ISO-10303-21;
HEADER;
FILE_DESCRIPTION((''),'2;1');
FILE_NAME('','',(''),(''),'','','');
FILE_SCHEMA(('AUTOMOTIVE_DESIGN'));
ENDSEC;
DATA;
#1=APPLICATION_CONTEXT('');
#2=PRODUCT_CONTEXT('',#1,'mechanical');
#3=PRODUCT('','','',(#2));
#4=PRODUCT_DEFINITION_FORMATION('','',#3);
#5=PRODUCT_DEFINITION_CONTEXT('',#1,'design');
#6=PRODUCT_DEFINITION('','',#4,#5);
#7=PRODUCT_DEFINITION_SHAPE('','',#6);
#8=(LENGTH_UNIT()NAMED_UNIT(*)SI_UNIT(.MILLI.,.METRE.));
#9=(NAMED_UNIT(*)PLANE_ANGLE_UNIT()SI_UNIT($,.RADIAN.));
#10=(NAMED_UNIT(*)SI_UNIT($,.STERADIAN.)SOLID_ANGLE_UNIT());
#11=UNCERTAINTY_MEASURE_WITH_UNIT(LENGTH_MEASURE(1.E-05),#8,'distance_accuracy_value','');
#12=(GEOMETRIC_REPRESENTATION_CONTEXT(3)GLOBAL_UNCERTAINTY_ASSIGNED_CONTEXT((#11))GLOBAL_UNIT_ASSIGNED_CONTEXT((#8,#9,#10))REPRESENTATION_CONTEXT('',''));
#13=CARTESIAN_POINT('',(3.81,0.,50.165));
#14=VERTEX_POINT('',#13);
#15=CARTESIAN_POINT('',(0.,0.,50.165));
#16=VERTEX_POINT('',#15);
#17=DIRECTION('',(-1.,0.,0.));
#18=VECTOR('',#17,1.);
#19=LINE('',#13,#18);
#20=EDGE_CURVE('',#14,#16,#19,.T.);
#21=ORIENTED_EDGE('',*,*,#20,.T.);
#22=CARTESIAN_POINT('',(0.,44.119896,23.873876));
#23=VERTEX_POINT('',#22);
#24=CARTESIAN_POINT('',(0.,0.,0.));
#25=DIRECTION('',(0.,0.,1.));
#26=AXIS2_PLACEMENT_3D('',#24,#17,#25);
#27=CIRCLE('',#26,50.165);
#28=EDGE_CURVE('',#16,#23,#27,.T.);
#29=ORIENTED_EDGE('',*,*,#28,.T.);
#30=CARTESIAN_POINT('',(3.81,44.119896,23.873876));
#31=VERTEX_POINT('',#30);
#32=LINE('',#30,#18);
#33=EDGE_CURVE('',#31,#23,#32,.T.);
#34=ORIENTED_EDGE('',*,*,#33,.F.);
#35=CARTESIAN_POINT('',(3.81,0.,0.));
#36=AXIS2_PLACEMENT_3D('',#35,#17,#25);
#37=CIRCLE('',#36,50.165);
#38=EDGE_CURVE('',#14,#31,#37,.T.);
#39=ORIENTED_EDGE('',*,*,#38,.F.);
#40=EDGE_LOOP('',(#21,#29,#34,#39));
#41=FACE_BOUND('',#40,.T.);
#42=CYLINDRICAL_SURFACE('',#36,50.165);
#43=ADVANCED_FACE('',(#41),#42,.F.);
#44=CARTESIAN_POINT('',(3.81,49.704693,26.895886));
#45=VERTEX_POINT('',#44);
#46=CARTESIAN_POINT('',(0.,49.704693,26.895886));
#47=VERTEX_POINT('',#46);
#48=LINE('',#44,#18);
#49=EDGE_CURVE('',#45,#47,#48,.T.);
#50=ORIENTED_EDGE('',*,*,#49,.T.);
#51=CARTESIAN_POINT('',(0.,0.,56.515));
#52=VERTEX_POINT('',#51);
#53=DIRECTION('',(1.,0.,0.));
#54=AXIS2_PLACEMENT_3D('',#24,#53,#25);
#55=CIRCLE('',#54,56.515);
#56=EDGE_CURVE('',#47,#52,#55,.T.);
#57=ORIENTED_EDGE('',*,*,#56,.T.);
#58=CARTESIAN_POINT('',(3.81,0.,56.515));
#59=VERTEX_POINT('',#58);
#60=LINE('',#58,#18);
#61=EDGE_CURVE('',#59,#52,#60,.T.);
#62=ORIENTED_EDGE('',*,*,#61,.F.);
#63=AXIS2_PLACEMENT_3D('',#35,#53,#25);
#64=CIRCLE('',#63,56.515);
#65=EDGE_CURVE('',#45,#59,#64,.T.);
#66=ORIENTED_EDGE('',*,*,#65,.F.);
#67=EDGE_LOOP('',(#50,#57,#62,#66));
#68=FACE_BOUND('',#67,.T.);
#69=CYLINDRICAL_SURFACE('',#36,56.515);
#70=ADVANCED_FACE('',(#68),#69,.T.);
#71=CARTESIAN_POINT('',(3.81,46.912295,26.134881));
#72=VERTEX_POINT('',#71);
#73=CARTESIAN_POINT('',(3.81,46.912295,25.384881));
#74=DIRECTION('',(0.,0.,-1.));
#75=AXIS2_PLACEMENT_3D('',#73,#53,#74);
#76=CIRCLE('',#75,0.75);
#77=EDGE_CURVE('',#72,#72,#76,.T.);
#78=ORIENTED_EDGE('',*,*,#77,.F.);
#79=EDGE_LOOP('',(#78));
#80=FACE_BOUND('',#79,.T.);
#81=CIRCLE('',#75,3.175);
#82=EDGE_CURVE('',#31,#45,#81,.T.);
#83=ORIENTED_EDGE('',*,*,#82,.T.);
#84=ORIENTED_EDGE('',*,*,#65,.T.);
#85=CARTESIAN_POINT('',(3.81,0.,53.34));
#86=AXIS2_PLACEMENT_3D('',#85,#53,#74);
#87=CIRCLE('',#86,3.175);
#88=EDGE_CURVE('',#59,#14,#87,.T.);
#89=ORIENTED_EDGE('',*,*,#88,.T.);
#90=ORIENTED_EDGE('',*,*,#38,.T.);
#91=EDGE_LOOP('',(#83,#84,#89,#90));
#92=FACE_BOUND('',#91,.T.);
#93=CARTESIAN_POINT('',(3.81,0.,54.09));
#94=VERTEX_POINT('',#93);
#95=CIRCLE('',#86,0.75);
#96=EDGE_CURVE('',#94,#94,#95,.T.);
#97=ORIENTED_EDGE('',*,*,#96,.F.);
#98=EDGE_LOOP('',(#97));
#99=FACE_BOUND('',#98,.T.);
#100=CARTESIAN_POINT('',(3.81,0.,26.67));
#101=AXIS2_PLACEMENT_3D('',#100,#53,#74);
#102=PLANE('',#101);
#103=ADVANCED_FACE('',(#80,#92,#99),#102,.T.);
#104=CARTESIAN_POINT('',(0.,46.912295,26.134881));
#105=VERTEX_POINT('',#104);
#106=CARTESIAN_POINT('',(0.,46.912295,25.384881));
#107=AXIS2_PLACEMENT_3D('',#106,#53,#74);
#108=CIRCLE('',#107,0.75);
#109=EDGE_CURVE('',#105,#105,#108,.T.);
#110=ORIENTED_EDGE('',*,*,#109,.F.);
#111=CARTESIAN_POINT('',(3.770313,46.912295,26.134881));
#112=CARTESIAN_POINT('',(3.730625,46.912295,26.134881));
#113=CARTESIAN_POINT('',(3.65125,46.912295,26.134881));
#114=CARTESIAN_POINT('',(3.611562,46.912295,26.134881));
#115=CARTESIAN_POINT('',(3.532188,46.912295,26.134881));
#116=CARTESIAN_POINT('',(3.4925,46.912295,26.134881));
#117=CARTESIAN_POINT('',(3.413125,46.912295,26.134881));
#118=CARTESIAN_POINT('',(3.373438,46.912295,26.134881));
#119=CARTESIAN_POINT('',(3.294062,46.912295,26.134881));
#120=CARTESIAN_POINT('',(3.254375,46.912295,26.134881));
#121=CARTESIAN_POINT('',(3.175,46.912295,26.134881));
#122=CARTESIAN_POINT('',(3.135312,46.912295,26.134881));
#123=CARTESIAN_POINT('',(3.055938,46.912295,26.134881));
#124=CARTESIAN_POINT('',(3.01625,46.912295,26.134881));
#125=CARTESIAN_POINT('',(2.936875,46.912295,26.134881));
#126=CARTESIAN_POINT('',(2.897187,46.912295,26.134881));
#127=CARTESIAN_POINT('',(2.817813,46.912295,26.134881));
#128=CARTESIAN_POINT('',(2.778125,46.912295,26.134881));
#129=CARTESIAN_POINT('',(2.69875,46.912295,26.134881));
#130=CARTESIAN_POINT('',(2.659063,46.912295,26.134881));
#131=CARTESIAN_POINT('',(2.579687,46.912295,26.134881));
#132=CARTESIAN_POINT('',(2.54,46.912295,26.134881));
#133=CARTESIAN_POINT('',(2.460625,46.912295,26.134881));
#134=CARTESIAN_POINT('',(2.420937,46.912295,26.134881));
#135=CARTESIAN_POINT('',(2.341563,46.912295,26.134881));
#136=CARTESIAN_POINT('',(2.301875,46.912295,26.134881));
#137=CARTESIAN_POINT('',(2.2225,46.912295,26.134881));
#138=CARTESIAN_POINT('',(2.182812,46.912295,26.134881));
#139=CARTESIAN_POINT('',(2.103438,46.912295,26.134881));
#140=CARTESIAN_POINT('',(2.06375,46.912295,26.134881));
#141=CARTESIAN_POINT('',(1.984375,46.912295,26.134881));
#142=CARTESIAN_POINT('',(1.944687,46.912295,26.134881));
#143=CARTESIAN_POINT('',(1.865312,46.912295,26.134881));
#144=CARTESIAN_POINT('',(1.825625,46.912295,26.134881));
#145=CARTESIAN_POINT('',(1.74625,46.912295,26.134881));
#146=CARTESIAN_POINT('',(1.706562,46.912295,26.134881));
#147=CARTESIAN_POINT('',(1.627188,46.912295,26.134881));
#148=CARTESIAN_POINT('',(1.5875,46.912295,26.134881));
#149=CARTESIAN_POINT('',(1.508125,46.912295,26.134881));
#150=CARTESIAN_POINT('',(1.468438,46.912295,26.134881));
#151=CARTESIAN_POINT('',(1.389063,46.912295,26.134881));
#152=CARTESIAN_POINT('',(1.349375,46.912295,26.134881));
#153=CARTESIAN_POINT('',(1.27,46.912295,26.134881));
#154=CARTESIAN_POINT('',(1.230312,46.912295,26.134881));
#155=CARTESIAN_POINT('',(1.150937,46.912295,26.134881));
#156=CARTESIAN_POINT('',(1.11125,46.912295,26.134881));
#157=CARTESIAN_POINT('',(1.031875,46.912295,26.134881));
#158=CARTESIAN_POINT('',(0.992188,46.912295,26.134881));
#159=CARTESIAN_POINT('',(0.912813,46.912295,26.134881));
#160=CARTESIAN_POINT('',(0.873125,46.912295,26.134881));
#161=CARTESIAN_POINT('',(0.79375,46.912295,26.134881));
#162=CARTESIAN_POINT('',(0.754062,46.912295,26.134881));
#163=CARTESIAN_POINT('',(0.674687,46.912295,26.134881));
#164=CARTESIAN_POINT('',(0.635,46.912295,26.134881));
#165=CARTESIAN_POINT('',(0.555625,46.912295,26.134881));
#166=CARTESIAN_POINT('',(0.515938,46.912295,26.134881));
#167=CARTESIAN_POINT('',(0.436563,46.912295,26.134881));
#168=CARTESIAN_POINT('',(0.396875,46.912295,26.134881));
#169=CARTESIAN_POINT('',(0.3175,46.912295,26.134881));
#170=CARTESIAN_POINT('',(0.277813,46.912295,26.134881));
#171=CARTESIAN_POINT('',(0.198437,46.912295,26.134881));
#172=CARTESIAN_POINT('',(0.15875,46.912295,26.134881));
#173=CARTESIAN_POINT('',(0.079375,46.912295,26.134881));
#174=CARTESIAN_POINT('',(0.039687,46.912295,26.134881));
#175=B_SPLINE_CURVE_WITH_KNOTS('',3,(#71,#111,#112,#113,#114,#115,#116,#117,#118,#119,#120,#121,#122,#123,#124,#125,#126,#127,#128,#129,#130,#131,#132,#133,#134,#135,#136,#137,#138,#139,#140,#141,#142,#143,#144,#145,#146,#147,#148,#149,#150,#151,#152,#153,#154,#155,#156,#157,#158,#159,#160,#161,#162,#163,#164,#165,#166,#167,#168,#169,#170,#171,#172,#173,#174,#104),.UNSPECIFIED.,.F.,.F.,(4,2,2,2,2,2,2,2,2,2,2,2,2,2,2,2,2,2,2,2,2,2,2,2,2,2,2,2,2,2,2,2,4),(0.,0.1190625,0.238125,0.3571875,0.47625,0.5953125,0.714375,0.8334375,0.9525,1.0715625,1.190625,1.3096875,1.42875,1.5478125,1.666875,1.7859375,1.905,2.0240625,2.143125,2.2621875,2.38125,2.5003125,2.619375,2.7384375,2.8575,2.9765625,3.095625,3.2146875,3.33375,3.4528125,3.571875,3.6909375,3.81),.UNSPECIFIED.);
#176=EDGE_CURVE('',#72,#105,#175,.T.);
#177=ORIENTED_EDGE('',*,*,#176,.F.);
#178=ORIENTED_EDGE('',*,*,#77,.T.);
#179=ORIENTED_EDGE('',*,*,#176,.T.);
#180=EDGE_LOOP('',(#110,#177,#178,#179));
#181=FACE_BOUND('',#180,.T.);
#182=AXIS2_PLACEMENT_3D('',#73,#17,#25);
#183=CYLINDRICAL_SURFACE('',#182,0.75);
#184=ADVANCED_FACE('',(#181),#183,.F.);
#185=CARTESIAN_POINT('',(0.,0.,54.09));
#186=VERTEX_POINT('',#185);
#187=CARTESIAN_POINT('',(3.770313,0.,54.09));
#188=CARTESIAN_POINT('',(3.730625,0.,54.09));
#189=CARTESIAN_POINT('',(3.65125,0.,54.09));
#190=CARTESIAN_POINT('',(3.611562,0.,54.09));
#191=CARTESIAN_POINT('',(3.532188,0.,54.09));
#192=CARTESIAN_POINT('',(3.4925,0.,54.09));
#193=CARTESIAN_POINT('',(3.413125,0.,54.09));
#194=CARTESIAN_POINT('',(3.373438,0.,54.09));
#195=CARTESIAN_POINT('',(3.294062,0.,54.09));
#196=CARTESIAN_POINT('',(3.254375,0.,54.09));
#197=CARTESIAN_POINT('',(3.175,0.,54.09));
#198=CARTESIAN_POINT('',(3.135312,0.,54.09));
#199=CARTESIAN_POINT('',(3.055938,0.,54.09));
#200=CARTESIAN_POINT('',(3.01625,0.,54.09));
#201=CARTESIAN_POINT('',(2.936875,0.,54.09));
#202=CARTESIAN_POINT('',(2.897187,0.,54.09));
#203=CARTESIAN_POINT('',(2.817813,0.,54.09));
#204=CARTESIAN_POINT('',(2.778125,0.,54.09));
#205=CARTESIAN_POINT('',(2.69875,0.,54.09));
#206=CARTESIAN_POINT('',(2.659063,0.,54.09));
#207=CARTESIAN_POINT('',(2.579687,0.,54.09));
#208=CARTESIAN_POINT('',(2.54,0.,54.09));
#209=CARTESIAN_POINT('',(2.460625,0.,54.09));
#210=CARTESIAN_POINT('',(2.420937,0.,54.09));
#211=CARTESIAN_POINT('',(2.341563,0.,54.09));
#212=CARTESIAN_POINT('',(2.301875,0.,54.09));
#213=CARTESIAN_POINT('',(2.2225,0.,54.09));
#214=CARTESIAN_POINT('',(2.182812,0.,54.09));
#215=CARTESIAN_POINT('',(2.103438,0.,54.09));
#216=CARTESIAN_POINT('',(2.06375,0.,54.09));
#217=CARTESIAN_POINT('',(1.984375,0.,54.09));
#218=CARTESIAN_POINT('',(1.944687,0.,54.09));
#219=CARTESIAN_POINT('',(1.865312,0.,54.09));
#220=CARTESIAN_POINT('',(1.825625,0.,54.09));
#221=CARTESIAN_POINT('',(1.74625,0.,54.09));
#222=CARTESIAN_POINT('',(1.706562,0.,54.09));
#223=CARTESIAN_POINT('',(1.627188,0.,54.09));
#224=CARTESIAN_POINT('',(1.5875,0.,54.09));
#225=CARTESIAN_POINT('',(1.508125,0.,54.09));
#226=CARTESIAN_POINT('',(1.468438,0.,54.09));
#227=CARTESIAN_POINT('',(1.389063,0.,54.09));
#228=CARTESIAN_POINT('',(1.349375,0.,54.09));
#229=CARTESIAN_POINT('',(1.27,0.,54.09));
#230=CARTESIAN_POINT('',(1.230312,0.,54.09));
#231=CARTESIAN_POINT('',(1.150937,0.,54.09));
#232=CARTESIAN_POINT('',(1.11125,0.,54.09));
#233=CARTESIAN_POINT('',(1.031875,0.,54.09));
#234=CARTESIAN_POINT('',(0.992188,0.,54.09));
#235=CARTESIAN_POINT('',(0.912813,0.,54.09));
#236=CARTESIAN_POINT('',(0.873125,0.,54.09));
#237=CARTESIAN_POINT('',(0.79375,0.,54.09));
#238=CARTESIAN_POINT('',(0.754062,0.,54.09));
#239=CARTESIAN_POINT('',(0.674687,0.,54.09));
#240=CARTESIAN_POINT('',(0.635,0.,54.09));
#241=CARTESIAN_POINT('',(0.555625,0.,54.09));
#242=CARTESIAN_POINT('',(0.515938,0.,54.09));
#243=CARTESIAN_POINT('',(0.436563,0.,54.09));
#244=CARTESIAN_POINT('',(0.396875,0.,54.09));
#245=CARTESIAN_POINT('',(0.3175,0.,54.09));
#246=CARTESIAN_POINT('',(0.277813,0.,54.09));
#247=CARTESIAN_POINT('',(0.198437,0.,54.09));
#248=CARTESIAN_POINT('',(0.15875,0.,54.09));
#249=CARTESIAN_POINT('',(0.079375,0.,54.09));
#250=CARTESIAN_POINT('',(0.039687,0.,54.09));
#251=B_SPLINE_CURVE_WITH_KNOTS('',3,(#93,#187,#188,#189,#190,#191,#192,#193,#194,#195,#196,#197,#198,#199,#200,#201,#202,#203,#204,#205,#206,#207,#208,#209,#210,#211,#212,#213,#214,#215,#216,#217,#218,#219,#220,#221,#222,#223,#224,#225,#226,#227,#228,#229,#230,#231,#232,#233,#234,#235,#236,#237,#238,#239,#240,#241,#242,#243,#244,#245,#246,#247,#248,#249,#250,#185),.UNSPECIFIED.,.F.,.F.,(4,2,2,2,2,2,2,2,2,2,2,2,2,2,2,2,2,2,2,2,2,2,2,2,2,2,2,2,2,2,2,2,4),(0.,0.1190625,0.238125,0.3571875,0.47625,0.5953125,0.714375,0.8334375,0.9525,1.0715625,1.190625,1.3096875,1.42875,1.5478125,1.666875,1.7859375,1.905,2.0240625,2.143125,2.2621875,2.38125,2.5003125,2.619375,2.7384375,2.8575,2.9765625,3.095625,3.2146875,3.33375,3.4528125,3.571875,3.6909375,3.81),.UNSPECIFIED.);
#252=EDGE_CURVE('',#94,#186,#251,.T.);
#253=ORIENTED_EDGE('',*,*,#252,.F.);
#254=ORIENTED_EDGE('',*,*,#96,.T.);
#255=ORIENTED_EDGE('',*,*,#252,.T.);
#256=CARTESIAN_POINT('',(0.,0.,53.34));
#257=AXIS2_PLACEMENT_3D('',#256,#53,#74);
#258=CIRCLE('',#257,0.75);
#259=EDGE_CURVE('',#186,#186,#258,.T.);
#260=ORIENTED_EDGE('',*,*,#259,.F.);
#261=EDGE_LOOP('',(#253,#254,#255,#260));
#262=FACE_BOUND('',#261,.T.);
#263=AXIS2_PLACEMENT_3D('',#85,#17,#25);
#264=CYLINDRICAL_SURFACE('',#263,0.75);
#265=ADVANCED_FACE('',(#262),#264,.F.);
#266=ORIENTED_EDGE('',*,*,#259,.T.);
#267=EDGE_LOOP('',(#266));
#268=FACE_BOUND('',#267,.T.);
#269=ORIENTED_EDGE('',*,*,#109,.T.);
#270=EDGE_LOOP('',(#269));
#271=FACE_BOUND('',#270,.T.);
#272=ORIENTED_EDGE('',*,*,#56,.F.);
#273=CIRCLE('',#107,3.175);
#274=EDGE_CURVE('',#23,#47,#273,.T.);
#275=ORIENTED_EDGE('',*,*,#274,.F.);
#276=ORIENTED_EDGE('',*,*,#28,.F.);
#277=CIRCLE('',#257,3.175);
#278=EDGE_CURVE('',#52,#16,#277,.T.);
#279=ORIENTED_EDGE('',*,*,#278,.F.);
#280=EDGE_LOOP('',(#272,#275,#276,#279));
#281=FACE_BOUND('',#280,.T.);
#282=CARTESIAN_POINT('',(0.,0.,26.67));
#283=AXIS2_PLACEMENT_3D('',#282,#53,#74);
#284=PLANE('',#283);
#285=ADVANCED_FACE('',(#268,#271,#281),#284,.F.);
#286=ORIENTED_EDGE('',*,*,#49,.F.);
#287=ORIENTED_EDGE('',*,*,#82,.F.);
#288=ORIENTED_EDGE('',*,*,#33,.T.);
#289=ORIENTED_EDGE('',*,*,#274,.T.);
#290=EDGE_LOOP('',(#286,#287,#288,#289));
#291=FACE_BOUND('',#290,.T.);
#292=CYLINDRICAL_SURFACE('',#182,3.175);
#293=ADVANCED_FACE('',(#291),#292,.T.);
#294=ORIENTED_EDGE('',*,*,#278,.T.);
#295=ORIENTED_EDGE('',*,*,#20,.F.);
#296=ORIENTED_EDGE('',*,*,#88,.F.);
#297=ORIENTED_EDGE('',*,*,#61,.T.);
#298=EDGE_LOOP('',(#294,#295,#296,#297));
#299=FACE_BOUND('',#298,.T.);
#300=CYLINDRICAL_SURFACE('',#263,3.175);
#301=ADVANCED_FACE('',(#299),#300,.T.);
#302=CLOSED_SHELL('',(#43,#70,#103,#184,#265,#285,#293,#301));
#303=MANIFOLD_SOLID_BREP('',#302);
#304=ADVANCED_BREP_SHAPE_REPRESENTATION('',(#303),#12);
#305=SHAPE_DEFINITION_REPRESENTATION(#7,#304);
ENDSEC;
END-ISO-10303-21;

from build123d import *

# Parameters (mm, degrees)
ESQUISSE1_R        = 0.75
BOSS_EXTRU_1_DEPTH = 3.81


with BuildPart() as part:
    # Esquisse1 → Boss.-Extru.1 (new body)
    with BuildSketch(Plane(origin=(0, 0, 0), x_dir=(0, 0, -1), z_dir=(1, 0, 0))):
        with BuildLine():
            ThreePointArc((-50.165, 0), (-43.093852353, 25.679702381), (-23.873876134, 44.119896457))
            ThreePointArc((-23.873876134, 44.119896457), (-22.592482442, 48.423299785), (-26.895885771, 49.704693477))
            ThreePointArc((-26.895885771, 49.704693477), (-48.548770372, 28.930297619), (-56.515, 0))
            ThreePointArc((-56.515, 0), (-53.34, -3.175), (-50.165, 0))
        make_face()
        with Locations(Location((-53.34, 0, 0), (0, 0, 180))):
            Circle(ESQUISSE1_R, mode=Mode.SUBTRACT)
        with Locations(Location((-25.384880952, 46.912294967, 0), (0, 0, 180))):
            Circle(ESQUISSE1_R, mode=Mode.SUBTRACT)
    extrude(amount=BOSS_EXTRU_1_DEPTH)


solid = part.part
